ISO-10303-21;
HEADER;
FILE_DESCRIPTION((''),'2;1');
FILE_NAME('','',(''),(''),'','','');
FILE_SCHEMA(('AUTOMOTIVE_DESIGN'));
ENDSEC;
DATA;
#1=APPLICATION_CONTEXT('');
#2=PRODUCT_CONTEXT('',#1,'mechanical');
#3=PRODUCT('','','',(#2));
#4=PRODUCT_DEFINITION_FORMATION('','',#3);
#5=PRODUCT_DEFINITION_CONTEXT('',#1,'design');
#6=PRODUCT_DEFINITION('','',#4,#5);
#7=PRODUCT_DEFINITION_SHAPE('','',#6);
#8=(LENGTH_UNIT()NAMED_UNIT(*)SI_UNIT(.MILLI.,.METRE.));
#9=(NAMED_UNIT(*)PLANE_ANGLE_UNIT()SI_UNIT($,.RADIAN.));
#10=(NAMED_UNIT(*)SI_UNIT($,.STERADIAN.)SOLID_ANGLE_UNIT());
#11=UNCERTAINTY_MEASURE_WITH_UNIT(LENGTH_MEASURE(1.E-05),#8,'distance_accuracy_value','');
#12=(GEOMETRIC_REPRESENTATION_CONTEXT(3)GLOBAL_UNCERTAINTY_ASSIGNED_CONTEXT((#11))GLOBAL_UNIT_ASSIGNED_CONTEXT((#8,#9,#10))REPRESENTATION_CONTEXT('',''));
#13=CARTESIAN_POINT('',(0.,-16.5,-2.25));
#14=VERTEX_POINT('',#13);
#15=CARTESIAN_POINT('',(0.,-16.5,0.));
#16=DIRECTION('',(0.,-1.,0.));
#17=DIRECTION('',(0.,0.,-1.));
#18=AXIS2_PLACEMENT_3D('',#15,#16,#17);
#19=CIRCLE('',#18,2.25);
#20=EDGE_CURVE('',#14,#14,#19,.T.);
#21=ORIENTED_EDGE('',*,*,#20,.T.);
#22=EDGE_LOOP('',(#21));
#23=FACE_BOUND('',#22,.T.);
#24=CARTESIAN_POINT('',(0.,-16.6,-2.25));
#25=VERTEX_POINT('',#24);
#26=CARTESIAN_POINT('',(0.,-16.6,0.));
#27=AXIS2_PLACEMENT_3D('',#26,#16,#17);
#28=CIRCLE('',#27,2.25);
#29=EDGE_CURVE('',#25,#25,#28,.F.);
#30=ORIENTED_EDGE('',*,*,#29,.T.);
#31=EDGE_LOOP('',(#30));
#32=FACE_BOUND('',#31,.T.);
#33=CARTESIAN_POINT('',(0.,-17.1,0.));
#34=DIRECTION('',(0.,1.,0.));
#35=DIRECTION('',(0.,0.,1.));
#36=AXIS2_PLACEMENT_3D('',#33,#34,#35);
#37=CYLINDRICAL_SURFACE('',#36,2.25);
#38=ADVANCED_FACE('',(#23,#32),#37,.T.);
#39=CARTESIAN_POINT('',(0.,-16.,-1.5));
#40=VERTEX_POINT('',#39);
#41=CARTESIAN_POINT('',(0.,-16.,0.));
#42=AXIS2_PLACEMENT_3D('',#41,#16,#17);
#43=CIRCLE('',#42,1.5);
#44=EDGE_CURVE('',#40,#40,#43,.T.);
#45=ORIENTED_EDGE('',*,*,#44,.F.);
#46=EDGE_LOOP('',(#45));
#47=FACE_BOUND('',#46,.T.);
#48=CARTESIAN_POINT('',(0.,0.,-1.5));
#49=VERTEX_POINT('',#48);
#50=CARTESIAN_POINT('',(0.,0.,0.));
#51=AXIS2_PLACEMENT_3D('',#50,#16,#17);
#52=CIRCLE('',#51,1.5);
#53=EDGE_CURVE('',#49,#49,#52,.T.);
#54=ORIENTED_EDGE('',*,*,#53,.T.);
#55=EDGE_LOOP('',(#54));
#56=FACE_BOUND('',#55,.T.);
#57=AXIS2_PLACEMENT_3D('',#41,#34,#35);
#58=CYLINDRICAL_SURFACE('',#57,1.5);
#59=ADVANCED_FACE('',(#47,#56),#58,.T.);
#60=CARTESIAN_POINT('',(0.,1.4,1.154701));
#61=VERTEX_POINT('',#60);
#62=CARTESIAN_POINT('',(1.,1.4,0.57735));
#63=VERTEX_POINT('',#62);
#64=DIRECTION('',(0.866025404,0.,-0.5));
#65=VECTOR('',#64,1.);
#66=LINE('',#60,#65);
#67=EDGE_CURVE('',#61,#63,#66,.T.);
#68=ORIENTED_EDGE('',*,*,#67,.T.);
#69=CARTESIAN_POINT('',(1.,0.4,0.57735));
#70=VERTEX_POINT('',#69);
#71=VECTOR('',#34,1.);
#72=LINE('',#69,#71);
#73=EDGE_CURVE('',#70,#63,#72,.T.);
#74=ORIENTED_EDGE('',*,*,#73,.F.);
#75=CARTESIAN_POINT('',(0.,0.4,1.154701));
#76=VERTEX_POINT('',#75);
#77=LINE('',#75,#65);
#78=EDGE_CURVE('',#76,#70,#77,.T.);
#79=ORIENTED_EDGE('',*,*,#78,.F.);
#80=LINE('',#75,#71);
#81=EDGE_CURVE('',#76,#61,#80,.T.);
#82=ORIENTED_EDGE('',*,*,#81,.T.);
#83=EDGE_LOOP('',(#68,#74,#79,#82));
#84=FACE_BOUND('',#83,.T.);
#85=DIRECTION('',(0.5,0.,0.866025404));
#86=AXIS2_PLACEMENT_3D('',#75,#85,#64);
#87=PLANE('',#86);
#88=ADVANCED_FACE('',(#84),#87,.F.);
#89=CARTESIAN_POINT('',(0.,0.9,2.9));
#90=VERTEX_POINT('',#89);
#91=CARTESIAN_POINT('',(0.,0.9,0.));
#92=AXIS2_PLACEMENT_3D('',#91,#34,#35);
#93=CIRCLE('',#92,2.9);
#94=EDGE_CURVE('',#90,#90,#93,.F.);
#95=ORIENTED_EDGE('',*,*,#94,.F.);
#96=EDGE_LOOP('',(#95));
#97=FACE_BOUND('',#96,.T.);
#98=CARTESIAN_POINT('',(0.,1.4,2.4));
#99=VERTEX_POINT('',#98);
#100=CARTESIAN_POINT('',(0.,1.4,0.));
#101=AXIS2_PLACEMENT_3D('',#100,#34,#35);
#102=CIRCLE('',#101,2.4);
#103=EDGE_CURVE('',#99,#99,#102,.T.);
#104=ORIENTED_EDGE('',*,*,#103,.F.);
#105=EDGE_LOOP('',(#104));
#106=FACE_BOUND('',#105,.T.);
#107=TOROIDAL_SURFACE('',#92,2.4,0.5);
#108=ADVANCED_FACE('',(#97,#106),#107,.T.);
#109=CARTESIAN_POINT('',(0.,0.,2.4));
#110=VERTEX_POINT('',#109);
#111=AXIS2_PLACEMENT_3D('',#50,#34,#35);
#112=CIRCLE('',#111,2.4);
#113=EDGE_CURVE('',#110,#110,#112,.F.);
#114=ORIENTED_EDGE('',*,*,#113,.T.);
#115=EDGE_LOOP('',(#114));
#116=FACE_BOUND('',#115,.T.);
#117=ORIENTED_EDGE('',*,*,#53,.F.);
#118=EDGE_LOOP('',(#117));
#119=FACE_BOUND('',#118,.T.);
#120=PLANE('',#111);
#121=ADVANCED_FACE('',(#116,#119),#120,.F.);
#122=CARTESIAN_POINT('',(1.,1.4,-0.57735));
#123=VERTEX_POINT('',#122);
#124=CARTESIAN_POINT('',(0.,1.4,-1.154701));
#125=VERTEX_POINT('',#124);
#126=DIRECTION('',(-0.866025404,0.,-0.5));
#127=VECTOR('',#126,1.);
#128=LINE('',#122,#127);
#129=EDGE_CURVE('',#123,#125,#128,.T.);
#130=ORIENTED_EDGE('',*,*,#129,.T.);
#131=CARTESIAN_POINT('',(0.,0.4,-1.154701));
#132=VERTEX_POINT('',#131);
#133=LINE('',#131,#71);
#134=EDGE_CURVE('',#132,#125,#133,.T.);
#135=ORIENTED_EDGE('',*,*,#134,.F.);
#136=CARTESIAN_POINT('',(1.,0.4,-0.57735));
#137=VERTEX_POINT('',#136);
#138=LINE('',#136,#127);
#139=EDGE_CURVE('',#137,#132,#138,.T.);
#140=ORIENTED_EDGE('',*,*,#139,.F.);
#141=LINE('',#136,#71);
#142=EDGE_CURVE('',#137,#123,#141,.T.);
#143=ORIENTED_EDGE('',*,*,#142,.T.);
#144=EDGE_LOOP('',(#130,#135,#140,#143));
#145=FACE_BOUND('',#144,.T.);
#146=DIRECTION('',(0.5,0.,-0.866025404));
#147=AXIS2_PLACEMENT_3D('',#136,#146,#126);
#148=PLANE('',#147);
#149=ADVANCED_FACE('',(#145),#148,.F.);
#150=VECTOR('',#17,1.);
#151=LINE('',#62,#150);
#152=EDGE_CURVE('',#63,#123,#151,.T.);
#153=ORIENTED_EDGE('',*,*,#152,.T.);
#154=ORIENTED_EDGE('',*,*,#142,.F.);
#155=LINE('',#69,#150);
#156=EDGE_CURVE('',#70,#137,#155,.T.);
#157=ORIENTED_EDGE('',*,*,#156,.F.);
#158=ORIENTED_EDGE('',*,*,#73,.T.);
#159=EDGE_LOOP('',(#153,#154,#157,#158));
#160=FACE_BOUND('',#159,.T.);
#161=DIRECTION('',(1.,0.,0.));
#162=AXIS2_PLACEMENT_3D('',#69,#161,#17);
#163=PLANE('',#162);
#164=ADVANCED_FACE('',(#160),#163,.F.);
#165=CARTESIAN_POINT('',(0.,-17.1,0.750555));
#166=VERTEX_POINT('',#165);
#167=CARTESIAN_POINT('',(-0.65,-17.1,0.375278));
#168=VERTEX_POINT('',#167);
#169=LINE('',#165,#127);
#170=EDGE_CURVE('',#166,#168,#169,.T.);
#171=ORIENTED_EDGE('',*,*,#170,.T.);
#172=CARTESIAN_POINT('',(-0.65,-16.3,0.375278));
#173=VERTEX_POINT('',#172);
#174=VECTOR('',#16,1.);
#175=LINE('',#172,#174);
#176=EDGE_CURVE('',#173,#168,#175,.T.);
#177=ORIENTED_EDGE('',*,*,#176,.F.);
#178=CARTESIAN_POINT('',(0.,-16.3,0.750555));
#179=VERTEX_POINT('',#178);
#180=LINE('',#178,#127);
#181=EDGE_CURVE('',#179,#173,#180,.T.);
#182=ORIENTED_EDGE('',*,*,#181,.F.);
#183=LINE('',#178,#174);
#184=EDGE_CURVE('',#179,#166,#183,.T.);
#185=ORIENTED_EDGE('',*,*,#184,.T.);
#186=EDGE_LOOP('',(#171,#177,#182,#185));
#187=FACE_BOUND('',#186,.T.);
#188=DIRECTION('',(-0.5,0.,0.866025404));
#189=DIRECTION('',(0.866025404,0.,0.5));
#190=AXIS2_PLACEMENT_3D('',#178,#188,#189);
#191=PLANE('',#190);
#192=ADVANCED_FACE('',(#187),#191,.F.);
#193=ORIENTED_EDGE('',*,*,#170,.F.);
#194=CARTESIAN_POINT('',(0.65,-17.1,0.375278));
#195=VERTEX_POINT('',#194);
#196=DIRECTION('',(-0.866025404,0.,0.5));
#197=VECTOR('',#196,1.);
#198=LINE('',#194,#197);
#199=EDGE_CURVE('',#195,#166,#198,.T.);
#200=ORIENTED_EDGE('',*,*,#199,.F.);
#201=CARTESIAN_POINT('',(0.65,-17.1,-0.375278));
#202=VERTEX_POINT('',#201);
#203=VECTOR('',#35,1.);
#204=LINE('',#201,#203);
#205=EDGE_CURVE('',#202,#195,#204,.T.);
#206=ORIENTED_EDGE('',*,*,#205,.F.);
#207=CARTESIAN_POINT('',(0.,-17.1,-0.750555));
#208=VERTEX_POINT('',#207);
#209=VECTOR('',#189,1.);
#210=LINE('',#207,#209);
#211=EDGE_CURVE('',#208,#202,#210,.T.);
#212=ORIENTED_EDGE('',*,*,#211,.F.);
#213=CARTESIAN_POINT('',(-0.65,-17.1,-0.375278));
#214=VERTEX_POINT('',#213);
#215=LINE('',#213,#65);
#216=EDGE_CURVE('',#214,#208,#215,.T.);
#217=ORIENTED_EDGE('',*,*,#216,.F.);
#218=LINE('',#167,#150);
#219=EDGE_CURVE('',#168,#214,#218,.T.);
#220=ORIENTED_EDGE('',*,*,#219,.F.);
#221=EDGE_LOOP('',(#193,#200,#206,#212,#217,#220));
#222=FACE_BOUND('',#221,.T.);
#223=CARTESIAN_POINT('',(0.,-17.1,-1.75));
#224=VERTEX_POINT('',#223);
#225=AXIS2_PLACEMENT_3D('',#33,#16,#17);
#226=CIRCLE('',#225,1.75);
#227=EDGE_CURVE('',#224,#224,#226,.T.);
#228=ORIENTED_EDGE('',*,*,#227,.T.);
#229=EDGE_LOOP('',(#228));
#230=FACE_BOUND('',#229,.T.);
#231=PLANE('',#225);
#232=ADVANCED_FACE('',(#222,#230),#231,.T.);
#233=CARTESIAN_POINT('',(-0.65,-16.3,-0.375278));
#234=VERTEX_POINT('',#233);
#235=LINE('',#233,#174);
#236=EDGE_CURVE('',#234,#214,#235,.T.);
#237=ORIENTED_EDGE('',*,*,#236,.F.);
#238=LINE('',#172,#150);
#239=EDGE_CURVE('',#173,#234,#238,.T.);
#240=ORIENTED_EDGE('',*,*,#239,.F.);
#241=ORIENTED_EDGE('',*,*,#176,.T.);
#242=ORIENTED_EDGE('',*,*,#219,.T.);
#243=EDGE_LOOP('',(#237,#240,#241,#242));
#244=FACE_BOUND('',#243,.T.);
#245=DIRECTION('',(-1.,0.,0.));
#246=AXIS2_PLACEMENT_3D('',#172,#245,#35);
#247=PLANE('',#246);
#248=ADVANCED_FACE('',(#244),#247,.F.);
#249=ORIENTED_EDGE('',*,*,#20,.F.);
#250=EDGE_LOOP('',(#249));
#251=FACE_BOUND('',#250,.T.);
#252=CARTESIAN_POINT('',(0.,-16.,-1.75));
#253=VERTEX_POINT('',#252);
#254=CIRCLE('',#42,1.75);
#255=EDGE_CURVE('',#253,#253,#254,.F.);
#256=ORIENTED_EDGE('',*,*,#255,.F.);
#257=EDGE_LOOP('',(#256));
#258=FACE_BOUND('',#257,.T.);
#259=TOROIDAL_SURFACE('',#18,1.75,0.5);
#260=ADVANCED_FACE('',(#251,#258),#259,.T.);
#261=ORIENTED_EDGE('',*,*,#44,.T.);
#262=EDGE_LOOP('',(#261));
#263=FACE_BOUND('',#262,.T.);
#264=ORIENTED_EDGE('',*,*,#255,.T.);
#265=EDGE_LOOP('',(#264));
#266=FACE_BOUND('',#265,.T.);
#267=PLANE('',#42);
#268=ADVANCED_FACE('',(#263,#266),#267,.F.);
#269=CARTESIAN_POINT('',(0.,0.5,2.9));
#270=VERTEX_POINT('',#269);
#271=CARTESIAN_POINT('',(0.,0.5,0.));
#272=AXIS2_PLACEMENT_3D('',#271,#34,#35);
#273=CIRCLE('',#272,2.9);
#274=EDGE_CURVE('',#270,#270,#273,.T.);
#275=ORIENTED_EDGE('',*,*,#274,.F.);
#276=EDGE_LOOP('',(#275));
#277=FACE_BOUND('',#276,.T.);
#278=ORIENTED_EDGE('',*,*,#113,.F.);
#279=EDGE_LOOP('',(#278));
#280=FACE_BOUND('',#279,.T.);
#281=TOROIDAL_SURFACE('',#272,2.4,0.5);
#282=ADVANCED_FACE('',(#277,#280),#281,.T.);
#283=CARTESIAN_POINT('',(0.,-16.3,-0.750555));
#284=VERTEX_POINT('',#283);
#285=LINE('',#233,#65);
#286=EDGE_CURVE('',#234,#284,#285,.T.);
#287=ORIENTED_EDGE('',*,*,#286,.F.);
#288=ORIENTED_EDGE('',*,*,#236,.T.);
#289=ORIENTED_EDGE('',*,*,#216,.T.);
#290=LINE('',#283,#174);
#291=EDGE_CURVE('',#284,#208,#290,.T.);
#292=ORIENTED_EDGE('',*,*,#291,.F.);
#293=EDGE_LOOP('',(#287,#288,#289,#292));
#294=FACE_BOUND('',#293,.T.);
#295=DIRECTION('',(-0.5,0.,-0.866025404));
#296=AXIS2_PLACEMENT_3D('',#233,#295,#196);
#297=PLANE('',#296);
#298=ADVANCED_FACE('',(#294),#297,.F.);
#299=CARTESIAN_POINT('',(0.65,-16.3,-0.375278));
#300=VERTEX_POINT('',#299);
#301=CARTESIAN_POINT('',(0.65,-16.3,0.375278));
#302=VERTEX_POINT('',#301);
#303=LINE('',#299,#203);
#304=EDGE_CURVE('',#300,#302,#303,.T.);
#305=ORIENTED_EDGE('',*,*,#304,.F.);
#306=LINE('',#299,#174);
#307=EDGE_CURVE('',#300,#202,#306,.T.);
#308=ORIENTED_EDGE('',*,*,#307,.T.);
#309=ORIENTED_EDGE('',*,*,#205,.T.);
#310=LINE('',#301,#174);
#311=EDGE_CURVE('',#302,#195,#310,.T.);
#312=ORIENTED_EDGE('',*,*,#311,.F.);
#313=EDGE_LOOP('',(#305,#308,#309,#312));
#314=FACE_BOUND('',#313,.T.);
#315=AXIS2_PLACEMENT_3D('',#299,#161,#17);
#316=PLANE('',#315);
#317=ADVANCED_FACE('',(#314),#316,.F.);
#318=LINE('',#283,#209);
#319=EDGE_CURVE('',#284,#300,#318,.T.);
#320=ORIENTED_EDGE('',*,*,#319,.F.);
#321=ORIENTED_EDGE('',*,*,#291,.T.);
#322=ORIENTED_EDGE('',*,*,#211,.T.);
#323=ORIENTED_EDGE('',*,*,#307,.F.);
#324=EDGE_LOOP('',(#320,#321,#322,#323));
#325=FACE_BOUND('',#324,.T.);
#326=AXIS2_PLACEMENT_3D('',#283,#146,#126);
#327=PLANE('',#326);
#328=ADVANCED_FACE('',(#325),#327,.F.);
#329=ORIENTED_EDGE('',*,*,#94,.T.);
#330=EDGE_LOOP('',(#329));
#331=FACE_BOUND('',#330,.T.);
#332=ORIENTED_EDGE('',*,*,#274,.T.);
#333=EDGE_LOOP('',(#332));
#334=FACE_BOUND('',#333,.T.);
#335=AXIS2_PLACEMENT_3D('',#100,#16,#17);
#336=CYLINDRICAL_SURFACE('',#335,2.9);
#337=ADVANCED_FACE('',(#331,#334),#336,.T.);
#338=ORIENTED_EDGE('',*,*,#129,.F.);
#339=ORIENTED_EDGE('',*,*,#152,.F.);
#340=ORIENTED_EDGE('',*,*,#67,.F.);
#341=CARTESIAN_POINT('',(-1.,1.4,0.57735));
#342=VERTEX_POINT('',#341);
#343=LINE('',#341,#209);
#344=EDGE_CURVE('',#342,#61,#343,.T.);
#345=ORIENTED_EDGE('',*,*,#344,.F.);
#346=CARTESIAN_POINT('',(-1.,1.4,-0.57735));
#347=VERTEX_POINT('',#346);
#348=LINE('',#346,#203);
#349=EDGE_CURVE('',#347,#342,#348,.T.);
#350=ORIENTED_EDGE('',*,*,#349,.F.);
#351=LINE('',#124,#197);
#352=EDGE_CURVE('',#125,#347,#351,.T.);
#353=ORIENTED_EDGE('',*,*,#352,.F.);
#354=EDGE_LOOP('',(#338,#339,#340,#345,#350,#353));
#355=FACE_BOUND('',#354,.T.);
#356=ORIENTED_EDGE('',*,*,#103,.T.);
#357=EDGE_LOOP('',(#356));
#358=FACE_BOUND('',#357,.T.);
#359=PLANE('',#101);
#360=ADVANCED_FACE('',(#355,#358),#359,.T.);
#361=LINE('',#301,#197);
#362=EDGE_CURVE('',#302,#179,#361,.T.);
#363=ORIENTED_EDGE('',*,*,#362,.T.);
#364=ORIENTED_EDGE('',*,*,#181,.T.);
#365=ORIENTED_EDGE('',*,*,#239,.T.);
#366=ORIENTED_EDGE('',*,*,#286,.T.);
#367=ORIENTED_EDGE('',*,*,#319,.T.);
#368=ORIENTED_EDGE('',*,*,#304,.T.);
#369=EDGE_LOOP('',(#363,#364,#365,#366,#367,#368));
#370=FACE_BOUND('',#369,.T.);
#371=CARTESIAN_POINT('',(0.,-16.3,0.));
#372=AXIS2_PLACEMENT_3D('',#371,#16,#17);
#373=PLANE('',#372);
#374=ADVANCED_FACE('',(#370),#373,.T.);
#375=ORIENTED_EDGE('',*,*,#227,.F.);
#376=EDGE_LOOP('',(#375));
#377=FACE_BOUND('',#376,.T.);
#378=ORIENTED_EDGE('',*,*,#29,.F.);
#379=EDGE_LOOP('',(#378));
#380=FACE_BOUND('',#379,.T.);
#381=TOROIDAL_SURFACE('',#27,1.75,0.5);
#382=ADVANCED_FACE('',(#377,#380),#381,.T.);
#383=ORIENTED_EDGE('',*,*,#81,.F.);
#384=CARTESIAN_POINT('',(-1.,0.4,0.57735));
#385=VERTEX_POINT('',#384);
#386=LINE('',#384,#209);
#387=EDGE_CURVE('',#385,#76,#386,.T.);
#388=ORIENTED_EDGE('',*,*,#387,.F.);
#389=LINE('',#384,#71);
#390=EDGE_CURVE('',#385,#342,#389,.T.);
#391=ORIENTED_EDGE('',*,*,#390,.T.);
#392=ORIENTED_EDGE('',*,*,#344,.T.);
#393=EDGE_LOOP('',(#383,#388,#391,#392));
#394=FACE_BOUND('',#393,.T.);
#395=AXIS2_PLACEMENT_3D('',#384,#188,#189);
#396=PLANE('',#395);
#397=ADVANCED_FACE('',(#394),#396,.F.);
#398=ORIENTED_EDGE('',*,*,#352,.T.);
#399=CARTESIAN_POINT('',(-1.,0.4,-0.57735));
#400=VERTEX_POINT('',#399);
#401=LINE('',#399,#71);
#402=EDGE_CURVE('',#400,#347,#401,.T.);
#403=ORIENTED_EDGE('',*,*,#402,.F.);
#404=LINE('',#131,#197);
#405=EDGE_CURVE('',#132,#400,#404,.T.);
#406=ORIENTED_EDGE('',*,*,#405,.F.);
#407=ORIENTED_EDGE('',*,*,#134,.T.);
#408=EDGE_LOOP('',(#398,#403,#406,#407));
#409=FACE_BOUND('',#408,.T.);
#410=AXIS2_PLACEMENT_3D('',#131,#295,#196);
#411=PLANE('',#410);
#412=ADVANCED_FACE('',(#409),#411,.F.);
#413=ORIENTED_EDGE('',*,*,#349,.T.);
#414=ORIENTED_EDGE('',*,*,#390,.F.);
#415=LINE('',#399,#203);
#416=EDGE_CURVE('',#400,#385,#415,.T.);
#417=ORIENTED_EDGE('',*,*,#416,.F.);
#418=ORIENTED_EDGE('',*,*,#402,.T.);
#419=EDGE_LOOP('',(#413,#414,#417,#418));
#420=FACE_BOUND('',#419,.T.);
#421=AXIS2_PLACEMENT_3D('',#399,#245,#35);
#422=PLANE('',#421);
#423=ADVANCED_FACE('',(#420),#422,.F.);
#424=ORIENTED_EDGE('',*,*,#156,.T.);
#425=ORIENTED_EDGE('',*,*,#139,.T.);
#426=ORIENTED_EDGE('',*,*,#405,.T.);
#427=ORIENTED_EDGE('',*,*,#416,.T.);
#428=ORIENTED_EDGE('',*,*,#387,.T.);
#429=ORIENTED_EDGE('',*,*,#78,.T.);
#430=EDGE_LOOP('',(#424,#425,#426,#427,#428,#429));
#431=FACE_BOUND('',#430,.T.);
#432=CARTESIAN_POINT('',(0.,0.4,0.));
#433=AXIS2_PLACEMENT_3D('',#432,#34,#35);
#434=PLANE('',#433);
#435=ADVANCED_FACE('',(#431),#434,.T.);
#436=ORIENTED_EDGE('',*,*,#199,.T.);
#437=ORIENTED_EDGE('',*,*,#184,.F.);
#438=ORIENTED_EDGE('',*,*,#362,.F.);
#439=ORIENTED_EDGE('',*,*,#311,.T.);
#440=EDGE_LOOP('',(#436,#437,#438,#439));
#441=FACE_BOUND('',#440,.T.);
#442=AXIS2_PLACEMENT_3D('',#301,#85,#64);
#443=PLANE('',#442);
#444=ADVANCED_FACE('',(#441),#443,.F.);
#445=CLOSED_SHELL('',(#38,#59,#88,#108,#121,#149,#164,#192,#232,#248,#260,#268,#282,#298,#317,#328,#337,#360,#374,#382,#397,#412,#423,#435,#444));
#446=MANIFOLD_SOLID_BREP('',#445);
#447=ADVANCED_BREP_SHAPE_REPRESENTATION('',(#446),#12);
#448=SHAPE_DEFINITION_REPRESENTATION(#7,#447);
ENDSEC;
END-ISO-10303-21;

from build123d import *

# Parameters (mm, degrees)
SKETCH_1_R          = 2.9
EXTRUDE_1_DEPTH     = 1.4
CUT_EXTRUDE_1_DEPTH = 1
SKETCH_3_R          = 1.5
EXTRUDE_2_DEPTH     = 16
SKETCH_4_R          = 2.25
EXTRUDE_3_DEPTH     = 1.1
CUT_EXTRUDE_2_DEPTH = 0.8
FILLET_1_R          = 0.5


with BuildPart() as part:
    # 草图1 → 凸台-拉伸1 (new body)
    with BuildSketch(Plane(origin=(0, 0, 0), x_dir=(1, 0, 0), z_dir=(0, 1, 0))):
        with Locations(Location((0, 0, 0), (0, 0, 270))):
            Circle(SKETCH_1_R)
    extrude(amount=EXTRUDE_1_DEPTH)

    # 草图2 → 切除-拉伸1 (cut)
    with BuildSketch(Plane(origin=(0, 1.4, 0), x_dir=(1, 0, 0), z_dir=(0, 1, 0))):
        Polygon((1, 0.577350269), (0, 1.154700538), (-1, 0.577350269), (-1, -0.577350269), (0, -1.154700538), (1, -0.577350269), align=None)
    extrude(amount=-CUT_EXTRUDE_1_DEPTH, mode=Mode.SUBTRACT)

    # 草图3 → 凸台-拉伸2 (add)
    with BuildSketch(Plane.XZ):
        with Locations(Location((0, 0, 0), (0, 0, 270))):
            Circle(SKETCH_3_R)
    extrude(amount=EXTRUDE_2_DEPTH)

    # 草图4 → 凸台-拉伸3 (add)
    with BuildSketch(Plane.XZ.offset(16)):
        with Locations(Location((0, 0, 0), (0, 0, 270))):
            Circle(SKETCH_4_R)
    extrude(amount=EXTRUDE_3_DEPTH)

    # 草图5 → 切除-拉伸2 (cut)
    with BuildSketch(Plane.XZ.offset(17.1)):
        Polygon((0.65, 0.375277675), (0, 0.75055535), (-0.65, 0.375277675), (-0.65, -0.375277675), (0, -0.75055535), (0.65, -0.375277675), align=None)
    extrude(amount=-CUT_EXTRUDE_2_DEPTH, mode=Mode.SUBTRACT)

    # 圆角1
    fillet_1_edges = [part.edges().sort_by_distance(p)[0] for p in [
        (0, 0, -2.9),
        (0, -16, 2.25),
        (0, -17.1, 2.25),
        (0, 1.4, -2.9),
    ]]
    fillet(fillet_1_edges, radius=FILLET_1_R)


solid = part.part
